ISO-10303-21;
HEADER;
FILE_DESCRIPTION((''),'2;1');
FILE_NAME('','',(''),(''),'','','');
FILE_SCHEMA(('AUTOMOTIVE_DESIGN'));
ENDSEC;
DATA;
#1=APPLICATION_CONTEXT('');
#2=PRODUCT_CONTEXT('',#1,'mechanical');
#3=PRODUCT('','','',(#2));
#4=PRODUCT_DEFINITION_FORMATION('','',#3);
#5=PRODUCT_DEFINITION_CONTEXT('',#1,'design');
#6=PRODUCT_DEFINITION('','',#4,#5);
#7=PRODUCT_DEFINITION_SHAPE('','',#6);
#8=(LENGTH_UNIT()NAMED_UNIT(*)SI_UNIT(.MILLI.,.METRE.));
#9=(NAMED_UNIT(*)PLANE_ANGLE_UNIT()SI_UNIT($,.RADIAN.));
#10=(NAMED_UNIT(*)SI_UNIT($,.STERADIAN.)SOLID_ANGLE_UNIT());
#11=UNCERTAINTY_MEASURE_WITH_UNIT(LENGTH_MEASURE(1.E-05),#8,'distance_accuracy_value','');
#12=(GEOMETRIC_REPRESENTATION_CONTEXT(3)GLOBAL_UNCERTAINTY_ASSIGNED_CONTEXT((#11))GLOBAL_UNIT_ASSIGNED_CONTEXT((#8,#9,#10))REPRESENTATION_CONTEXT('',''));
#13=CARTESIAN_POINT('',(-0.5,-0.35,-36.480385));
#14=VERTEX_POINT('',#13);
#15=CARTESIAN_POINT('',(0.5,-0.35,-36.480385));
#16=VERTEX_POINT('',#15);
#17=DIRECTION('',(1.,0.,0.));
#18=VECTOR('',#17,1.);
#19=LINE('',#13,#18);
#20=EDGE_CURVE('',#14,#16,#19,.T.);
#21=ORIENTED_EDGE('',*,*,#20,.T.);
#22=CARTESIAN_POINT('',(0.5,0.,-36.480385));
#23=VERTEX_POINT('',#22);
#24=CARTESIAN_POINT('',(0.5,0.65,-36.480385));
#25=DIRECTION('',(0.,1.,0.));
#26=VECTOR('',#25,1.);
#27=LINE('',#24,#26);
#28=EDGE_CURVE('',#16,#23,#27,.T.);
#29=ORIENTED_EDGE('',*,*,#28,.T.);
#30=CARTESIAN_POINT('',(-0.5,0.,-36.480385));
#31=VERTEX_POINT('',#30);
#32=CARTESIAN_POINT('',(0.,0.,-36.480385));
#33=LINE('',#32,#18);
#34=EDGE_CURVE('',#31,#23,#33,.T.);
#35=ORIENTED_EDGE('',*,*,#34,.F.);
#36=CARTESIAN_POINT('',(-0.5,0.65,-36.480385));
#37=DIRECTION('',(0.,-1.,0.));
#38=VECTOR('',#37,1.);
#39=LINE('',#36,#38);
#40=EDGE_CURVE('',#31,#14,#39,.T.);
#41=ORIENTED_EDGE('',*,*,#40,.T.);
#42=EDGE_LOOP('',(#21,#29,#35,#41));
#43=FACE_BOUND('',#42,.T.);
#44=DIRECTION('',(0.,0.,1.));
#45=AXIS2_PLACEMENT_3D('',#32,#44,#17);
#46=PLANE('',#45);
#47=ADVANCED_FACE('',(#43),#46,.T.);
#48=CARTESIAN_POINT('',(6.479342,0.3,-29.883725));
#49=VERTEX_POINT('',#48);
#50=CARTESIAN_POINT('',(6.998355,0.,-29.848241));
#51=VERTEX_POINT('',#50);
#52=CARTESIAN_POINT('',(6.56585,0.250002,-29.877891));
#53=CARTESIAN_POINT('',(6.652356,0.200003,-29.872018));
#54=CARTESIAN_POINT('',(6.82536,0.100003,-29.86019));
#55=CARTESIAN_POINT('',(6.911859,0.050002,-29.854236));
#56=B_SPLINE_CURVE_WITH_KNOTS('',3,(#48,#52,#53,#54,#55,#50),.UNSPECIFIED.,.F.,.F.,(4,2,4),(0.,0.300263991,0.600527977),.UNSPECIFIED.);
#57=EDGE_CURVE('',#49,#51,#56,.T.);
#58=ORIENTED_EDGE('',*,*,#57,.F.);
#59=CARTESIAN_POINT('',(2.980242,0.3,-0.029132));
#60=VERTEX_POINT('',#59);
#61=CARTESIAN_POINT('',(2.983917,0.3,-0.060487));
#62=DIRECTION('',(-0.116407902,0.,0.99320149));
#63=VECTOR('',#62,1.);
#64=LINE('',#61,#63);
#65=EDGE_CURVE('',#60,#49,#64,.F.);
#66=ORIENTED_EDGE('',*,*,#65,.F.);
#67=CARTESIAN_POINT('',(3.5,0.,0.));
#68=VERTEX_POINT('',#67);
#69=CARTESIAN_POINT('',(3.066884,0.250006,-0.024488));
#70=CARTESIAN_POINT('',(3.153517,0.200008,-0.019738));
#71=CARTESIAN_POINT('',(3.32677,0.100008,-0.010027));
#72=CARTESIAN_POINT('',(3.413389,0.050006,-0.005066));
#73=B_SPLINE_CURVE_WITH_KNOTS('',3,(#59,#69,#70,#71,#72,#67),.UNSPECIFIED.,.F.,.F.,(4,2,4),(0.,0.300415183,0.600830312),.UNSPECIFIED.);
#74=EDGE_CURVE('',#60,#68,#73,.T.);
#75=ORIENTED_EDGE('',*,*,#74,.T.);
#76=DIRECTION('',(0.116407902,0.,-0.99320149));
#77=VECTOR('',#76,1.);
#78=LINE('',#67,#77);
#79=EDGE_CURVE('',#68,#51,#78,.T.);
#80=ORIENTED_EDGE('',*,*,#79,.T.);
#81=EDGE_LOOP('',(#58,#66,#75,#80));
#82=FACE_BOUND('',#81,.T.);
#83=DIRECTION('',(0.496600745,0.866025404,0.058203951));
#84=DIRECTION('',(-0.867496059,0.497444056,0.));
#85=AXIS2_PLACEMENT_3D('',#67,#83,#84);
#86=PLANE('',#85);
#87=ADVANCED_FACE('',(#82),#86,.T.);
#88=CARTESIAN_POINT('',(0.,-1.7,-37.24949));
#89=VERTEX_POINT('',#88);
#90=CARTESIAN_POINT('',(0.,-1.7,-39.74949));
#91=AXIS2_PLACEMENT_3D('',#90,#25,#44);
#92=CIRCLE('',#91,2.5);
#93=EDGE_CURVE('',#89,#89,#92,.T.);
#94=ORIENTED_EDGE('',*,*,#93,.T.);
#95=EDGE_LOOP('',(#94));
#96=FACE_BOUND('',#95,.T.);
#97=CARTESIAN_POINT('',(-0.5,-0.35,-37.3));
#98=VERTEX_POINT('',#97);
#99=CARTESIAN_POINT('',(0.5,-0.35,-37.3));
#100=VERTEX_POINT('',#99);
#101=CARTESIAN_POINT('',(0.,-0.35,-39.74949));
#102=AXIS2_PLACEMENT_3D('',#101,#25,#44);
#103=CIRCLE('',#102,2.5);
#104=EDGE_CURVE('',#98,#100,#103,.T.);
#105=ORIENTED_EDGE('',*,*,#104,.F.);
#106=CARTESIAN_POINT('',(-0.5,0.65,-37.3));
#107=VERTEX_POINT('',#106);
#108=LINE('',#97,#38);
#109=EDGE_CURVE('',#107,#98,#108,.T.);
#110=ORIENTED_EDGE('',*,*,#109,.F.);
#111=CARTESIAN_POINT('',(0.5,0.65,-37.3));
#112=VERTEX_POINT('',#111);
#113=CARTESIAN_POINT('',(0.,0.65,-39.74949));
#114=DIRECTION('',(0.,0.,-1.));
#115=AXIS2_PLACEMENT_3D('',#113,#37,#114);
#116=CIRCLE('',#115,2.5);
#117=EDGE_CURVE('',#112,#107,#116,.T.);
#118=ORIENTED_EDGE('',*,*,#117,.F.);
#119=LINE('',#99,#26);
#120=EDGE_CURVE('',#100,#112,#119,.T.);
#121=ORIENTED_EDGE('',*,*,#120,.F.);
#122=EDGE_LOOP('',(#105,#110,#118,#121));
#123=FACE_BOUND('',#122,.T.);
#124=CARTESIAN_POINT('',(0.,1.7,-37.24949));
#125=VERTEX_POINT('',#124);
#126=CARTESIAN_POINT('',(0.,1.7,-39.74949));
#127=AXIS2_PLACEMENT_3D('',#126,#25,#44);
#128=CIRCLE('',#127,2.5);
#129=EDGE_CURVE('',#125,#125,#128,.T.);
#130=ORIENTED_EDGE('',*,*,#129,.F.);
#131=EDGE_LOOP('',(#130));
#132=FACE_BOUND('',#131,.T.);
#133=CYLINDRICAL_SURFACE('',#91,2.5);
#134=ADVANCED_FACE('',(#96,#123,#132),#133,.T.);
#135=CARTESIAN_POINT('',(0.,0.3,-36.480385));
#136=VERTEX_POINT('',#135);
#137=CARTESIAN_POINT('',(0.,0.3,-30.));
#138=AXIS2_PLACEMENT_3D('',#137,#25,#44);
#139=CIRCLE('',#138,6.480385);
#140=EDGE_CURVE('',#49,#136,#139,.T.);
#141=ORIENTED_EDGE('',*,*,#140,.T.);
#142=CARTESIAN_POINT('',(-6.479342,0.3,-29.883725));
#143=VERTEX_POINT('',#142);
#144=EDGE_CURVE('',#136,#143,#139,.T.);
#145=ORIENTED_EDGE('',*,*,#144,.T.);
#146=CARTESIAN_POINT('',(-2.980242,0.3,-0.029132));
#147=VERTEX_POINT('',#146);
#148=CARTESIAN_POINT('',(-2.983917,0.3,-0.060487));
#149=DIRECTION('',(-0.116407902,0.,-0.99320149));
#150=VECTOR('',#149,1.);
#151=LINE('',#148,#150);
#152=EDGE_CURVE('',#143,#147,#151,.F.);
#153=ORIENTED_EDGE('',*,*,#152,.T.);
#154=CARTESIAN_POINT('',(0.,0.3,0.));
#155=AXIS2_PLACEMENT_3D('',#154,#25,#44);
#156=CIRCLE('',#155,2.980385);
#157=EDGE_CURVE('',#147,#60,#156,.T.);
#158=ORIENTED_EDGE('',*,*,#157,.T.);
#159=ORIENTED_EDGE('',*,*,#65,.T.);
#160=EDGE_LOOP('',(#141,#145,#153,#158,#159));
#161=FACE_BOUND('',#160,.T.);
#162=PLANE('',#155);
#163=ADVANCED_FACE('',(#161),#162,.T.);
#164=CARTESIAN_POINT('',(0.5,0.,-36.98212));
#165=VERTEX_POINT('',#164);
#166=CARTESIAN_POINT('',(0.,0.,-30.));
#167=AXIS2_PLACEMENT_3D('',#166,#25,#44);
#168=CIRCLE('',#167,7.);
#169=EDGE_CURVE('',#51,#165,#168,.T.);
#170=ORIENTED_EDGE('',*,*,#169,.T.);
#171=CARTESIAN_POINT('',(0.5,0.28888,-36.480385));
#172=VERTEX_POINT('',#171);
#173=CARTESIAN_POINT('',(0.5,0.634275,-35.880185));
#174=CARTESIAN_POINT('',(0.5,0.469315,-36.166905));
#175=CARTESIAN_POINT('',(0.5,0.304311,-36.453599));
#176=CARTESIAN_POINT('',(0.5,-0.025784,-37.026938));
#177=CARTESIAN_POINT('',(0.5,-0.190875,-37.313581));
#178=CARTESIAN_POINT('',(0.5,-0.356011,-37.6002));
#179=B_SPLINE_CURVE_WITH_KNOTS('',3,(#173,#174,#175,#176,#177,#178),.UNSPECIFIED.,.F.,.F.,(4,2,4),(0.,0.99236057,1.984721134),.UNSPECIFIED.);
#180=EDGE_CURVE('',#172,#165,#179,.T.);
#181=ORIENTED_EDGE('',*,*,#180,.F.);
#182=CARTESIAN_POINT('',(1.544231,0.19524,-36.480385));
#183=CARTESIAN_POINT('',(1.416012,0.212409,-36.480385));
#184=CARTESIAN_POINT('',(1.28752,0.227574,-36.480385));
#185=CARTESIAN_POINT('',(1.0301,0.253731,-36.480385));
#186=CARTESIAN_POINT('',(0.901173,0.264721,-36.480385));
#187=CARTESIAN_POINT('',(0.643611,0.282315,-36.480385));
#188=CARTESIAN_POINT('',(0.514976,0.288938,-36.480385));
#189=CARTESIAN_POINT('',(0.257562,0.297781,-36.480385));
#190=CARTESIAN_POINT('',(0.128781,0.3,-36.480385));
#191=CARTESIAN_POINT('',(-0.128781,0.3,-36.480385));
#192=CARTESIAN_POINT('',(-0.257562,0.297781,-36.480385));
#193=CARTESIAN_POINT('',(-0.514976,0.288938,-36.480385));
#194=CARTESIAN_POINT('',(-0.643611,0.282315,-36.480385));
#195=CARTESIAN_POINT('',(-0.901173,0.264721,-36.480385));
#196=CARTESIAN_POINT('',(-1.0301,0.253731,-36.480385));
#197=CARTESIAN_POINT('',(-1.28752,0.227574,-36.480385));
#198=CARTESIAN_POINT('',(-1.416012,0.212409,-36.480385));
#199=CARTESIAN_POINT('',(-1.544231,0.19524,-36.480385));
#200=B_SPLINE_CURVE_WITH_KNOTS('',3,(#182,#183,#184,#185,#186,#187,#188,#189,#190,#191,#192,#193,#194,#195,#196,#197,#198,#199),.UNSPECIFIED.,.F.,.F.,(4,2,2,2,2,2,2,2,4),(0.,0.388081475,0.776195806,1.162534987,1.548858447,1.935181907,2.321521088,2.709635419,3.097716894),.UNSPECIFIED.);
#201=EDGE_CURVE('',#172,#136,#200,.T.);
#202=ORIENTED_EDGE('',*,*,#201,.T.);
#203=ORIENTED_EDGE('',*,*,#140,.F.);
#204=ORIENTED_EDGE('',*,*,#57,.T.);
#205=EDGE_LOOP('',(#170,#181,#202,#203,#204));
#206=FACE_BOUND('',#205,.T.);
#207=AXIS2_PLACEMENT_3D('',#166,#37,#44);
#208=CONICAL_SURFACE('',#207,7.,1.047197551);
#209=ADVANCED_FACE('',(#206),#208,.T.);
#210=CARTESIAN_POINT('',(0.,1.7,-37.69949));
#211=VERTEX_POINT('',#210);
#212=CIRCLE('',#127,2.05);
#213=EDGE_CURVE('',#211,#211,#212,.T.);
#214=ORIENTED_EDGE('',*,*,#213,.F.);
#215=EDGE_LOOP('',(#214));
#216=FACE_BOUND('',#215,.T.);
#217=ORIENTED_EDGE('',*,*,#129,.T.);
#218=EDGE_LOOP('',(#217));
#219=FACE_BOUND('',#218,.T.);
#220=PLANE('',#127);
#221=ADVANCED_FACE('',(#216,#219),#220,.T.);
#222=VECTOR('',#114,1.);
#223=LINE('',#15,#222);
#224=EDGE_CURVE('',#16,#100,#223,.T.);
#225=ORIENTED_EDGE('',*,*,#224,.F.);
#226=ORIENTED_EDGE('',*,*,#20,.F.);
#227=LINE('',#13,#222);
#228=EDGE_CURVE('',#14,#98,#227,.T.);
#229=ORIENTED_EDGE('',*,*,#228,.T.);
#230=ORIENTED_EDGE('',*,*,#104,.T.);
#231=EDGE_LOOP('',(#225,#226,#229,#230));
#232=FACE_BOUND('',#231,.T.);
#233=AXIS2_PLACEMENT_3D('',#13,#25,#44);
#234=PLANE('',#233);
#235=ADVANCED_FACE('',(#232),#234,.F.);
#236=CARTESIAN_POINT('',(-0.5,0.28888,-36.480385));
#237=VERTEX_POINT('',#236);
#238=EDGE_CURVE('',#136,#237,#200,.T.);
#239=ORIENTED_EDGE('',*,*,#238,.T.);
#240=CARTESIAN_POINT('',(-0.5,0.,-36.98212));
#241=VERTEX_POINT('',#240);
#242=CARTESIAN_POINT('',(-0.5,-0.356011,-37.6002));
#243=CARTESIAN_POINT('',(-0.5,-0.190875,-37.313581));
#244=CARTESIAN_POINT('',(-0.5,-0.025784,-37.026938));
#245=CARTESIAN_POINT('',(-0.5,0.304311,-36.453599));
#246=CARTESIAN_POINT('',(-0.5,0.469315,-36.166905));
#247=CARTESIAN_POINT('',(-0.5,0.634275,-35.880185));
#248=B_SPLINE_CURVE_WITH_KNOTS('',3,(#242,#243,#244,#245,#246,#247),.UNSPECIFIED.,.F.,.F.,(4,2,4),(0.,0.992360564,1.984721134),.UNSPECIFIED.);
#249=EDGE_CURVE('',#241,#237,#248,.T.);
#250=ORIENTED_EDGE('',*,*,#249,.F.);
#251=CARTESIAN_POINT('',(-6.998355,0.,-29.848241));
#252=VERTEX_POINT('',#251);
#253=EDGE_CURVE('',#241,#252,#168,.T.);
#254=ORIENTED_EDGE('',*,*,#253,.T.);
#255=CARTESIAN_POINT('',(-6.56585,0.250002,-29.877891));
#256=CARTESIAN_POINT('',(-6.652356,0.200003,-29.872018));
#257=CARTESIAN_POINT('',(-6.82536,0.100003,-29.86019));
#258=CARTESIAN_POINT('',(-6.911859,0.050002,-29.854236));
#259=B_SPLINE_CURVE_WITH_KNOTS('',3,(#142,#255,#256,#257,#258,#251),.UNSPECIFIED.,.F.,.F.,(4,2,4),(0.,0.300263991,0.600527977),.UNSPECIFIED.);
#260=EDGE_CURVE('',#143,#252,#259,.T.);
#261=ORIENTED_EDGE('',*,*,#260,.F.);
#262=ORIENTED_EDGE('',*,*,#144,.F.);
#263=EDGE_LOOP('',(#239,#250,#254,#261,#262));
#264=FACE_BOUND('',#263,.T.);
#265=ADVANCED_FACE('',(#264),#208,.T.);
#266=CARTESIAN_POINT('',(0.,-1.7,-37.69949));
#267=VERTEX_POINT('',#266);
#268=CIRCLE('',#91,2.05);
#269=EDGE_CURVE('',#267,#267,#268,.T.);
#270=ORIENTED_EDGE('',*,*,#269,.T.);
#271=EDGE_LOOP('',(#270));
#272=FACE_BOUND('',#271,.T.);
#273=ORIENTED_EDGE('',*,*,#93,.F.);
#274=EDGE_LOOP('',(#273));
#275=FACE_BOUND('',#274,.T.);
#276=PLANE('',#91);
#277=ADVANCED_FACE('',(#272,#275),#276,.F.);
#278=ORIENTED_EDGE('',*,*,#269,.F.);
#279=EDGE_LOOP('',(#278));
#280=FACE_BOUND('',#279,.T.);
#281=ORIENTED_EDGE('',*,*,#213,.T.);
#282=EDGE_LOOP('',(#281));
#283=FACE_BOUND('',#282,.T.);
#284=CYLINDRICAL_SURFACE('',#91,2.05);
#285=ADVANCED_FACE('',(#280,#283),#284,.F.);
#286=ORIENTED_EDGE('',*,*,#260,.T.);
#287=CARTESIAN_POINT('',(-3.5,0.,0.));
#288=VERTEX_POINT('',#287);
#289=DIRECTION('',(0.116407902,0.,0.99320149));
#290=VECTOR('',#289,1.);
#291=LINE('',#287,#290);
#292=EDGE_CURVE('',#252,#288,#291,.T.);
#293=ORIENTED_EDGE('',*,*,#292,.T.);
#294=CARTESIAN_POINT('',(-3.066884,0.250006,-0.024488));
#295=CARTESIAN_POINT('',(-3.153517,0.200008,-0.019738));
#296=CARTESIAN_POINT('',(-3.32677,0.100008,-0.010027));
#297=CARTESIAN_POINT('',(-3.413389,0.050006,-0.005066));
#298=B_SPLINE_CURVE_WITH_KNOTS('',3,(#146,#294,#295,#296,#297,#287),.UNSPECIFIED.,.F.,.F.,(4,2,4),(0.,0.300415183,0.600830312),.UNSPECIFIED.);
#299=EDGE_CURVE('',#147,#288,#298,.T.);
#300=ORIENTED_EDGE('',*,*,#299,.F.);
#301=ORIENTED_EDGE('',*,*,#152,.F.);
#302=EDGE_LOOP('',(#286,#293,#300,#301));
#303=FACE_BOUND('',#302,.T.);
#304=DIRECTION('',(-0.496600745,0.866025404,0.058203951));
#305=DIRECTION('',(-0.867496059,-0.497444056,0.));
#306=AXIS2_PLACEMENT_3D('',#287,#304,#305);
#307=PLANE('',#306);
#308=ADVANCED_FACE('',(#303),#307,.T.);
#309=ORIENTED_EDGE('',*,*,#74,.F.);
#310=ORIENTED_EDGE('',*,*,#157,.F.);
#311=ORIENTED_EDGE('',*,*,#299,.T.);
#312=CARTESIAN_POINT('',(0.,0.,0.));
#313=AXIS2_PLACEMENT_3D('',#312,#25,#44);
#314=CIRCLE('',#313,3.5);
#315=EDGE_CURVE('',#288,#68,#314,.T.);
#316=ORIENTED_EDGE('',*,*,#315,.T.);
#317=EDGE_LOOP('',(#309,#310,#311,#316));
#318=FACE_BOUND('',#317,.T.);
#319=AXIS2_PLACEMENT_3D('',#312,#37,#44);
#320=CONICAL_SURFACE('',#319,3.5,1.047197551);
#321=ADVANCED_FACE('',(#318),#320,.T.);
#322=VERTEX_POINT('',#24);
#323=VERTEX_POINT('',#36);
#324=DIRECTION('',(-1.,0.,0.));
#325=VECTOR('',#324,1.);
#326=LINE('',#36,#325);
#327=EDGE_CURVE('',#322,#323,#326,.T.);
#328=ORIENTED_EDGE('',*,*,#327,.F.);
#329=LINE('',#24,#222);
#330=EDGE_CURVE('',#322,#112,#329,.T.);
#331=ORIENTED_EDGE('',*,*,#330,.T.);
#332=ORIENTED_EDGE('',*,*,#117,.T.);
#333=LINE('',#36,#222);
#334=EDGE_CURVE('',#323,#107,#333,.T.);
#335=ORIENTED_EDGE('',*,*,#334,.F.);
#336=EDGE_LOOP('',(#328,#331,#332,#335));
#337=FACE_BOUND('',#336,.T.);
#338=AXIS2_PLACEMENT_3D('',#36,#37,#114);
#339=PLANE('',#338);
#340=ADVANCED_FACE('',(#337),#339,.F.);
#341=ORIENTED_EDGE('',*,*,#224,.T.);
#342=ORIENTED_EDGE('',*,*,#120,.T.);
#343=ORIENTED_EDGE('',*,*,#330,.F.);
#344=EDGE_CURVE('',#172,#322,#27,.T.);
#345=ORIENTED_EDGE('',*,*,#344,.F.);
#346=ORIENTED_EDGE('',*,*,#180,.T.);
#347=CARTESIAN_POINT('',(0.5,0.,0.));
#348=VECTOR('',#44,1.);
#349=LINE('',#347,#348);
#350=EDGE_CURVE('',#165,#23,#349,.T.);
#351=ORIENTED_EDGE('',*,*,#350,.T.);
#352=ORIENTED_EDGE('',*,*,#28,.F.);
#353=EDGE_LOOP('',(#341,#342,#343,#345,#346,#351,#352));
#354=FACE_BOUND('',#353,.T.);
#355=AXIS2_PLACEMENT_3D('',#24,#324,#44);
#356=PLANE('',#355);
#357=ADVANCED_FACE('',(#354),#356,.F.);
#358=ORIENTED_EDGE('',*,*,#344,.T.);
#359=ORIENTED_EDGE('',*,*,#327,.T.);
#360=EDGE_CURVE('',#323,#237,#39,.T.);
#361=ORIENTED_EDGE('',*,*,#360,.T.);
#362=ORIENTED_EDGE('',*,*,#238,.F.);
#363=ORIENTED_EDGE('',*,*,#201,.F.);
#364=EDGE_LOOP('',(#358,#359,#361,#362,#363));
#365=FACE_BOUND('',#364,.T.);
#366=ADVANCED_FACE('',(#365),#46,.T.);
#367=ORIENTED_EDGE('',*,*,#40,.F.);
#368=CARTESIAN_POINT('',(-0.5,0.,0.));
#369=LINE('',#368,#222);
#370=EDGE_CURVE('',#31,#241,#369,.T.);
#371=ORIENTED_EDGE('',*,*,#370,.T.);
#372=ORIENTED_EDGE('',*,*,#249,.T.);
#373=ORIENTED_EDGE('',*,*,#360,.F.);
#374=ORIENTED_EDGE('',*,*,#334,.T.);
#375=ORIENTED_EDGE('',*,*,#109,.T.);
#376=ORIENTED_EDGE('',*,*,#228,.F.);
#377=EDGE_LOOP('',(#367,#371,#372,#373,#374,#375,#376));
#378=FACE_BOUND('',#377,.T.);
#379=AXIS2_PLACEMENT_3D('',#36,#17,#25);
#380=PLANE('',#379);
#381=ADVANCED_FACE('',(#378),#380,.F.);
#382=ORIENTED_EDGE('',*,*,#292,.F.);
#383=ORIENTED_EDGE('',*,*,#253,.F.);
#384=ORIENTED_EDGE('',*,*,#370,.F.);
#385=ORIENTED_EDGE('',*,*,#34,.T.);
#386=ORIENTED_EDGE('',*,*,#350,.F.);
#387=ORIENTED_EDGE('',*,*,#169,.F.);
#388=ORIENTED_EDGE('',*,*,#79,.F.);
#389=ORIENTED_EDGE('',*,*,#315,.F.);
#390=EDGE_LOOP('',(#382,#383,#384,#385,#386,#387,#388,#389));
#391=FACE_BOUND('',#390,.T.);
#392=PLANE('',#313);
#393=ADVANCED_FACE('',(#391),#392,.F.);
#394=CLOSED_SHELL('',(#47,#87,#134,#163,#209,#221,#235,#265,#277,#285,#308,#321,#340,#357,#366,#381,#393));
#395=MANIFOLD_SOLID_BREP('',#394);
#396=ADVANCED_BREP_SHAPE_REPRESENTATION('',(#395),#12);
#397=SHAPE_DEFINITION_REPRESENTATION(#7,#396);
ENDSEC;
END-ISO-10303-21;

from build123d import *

# Parameters (mm, degrees)
SALIENTE_EXTRUIR1_DEPTH      = 0.3
SALIENTE_EXTRUIR1_TAPER      = 60
CROQUIS3_W                   = 1
CROQUIS3_H                   = 1
SALIENTE_EXTRUIR2_DEPTH      = 0.3
CROQUIS4_W                   = 1
CROQUIS4_H                   = 1
SALIENTE_EXTRUIR3_DEPTH      = 0.519615
SALIENTE_EXTRUIR4_DEPTH      = 1.7
SALIENTE_EXTRUIR4_DEPTH_BACK = 1.7
CROQUIS5_R                   = 2.5
CROQUIS7_R                   = 2.05
CORTAR_EXTRUIR1_DEPTH        = 43.960206994


with BuildPart() as part:
    # Croquis1 → Saliente-Extruir1 (new body)
    with BuildSketch(Plane(origin=(0, 0, 0), x_dir=(1, 0, 0), z_dir=(0, 1, 0))):
        with BuildLine():
            ThreePointArc((-3.5, 0), (0, -3.5), (3.5, 0))
            Line((3.5, 0), (6.998354756, 29.848241299))
            ThreePointArc((6.998354756, 29.848241299), (0, 37), (-6.998354756, 29.848241299))
            Line((-6.998354756, 29.848241299), (-3.5, 0))
        make_face()
    extrude(amount=SALIENTE_EXTRUIR1_DEPTH, taper=SALIENTE_EXTRUIR1_TAPER)



with BuildPart() as body_2:
    # Croquis3 → Saliente-Extruir2 (new body)
    with BuildSketch(Plane.XY.offset(-37)):
        with Locations((0, 0.15)):
            Rectangle(CROQUIS3_W, CROQUIS3_H)
    extrude(amount=-SALIENTE_EXTRUIR2_DEPTH)


with BuildPart() as part_1:
    add(part.part)

    add(body_2.part)  # Saliente-Extruir3 merges body 2
    # Croquis4 → Saliente-Extruir3 (add)
    with BuildSketch(Plane.XY.offset(-37)):
        with Locations((0, 0.15)):
            Rectangle(CROQUIS4_W, CROQUIS4_H)
    extrude(amount=SALIENTE_EXTRUIR3_DEPTH)

    # Croquis5 → Saliente-Extruir4 (add, two sides: drawn at the far end of the back side and taken through both)
    with BuildSketch(Plane(origin=(0, 0, 0), x_dir=(1, 0, 0), z_dir=(0, 1, 0)).offset(-SALIENTE_EXTRUIR4_DEPTH_BACK)):
        with Locations(Location((0, 39.749489743, 0), (0, 0, 270))):
            Circle(CROQUIS5_R)
    extrude(amount=SALIENTE_EXTRUIR4_DEPTH + SALIENTE_EXTRUIR4_DEPTH_BACK)

    # Croquis7 → Cortar-Extruir1 (cut, through all)
    with BuildSketch(Plane(origin=(0, 1.7, 0), x_dir=(1, 0, 0), z_dir=(0, 1, 0))):
        with Locations(Location((0, 39.749489743, 0), (0, 0, 270))):
            Circle(CROQUIS7_R)
    extrude(amount=-CORTAR_EXTRUIR1_DEPTH, mode=Mode.SUBTRACT)


solid = part_1.part
